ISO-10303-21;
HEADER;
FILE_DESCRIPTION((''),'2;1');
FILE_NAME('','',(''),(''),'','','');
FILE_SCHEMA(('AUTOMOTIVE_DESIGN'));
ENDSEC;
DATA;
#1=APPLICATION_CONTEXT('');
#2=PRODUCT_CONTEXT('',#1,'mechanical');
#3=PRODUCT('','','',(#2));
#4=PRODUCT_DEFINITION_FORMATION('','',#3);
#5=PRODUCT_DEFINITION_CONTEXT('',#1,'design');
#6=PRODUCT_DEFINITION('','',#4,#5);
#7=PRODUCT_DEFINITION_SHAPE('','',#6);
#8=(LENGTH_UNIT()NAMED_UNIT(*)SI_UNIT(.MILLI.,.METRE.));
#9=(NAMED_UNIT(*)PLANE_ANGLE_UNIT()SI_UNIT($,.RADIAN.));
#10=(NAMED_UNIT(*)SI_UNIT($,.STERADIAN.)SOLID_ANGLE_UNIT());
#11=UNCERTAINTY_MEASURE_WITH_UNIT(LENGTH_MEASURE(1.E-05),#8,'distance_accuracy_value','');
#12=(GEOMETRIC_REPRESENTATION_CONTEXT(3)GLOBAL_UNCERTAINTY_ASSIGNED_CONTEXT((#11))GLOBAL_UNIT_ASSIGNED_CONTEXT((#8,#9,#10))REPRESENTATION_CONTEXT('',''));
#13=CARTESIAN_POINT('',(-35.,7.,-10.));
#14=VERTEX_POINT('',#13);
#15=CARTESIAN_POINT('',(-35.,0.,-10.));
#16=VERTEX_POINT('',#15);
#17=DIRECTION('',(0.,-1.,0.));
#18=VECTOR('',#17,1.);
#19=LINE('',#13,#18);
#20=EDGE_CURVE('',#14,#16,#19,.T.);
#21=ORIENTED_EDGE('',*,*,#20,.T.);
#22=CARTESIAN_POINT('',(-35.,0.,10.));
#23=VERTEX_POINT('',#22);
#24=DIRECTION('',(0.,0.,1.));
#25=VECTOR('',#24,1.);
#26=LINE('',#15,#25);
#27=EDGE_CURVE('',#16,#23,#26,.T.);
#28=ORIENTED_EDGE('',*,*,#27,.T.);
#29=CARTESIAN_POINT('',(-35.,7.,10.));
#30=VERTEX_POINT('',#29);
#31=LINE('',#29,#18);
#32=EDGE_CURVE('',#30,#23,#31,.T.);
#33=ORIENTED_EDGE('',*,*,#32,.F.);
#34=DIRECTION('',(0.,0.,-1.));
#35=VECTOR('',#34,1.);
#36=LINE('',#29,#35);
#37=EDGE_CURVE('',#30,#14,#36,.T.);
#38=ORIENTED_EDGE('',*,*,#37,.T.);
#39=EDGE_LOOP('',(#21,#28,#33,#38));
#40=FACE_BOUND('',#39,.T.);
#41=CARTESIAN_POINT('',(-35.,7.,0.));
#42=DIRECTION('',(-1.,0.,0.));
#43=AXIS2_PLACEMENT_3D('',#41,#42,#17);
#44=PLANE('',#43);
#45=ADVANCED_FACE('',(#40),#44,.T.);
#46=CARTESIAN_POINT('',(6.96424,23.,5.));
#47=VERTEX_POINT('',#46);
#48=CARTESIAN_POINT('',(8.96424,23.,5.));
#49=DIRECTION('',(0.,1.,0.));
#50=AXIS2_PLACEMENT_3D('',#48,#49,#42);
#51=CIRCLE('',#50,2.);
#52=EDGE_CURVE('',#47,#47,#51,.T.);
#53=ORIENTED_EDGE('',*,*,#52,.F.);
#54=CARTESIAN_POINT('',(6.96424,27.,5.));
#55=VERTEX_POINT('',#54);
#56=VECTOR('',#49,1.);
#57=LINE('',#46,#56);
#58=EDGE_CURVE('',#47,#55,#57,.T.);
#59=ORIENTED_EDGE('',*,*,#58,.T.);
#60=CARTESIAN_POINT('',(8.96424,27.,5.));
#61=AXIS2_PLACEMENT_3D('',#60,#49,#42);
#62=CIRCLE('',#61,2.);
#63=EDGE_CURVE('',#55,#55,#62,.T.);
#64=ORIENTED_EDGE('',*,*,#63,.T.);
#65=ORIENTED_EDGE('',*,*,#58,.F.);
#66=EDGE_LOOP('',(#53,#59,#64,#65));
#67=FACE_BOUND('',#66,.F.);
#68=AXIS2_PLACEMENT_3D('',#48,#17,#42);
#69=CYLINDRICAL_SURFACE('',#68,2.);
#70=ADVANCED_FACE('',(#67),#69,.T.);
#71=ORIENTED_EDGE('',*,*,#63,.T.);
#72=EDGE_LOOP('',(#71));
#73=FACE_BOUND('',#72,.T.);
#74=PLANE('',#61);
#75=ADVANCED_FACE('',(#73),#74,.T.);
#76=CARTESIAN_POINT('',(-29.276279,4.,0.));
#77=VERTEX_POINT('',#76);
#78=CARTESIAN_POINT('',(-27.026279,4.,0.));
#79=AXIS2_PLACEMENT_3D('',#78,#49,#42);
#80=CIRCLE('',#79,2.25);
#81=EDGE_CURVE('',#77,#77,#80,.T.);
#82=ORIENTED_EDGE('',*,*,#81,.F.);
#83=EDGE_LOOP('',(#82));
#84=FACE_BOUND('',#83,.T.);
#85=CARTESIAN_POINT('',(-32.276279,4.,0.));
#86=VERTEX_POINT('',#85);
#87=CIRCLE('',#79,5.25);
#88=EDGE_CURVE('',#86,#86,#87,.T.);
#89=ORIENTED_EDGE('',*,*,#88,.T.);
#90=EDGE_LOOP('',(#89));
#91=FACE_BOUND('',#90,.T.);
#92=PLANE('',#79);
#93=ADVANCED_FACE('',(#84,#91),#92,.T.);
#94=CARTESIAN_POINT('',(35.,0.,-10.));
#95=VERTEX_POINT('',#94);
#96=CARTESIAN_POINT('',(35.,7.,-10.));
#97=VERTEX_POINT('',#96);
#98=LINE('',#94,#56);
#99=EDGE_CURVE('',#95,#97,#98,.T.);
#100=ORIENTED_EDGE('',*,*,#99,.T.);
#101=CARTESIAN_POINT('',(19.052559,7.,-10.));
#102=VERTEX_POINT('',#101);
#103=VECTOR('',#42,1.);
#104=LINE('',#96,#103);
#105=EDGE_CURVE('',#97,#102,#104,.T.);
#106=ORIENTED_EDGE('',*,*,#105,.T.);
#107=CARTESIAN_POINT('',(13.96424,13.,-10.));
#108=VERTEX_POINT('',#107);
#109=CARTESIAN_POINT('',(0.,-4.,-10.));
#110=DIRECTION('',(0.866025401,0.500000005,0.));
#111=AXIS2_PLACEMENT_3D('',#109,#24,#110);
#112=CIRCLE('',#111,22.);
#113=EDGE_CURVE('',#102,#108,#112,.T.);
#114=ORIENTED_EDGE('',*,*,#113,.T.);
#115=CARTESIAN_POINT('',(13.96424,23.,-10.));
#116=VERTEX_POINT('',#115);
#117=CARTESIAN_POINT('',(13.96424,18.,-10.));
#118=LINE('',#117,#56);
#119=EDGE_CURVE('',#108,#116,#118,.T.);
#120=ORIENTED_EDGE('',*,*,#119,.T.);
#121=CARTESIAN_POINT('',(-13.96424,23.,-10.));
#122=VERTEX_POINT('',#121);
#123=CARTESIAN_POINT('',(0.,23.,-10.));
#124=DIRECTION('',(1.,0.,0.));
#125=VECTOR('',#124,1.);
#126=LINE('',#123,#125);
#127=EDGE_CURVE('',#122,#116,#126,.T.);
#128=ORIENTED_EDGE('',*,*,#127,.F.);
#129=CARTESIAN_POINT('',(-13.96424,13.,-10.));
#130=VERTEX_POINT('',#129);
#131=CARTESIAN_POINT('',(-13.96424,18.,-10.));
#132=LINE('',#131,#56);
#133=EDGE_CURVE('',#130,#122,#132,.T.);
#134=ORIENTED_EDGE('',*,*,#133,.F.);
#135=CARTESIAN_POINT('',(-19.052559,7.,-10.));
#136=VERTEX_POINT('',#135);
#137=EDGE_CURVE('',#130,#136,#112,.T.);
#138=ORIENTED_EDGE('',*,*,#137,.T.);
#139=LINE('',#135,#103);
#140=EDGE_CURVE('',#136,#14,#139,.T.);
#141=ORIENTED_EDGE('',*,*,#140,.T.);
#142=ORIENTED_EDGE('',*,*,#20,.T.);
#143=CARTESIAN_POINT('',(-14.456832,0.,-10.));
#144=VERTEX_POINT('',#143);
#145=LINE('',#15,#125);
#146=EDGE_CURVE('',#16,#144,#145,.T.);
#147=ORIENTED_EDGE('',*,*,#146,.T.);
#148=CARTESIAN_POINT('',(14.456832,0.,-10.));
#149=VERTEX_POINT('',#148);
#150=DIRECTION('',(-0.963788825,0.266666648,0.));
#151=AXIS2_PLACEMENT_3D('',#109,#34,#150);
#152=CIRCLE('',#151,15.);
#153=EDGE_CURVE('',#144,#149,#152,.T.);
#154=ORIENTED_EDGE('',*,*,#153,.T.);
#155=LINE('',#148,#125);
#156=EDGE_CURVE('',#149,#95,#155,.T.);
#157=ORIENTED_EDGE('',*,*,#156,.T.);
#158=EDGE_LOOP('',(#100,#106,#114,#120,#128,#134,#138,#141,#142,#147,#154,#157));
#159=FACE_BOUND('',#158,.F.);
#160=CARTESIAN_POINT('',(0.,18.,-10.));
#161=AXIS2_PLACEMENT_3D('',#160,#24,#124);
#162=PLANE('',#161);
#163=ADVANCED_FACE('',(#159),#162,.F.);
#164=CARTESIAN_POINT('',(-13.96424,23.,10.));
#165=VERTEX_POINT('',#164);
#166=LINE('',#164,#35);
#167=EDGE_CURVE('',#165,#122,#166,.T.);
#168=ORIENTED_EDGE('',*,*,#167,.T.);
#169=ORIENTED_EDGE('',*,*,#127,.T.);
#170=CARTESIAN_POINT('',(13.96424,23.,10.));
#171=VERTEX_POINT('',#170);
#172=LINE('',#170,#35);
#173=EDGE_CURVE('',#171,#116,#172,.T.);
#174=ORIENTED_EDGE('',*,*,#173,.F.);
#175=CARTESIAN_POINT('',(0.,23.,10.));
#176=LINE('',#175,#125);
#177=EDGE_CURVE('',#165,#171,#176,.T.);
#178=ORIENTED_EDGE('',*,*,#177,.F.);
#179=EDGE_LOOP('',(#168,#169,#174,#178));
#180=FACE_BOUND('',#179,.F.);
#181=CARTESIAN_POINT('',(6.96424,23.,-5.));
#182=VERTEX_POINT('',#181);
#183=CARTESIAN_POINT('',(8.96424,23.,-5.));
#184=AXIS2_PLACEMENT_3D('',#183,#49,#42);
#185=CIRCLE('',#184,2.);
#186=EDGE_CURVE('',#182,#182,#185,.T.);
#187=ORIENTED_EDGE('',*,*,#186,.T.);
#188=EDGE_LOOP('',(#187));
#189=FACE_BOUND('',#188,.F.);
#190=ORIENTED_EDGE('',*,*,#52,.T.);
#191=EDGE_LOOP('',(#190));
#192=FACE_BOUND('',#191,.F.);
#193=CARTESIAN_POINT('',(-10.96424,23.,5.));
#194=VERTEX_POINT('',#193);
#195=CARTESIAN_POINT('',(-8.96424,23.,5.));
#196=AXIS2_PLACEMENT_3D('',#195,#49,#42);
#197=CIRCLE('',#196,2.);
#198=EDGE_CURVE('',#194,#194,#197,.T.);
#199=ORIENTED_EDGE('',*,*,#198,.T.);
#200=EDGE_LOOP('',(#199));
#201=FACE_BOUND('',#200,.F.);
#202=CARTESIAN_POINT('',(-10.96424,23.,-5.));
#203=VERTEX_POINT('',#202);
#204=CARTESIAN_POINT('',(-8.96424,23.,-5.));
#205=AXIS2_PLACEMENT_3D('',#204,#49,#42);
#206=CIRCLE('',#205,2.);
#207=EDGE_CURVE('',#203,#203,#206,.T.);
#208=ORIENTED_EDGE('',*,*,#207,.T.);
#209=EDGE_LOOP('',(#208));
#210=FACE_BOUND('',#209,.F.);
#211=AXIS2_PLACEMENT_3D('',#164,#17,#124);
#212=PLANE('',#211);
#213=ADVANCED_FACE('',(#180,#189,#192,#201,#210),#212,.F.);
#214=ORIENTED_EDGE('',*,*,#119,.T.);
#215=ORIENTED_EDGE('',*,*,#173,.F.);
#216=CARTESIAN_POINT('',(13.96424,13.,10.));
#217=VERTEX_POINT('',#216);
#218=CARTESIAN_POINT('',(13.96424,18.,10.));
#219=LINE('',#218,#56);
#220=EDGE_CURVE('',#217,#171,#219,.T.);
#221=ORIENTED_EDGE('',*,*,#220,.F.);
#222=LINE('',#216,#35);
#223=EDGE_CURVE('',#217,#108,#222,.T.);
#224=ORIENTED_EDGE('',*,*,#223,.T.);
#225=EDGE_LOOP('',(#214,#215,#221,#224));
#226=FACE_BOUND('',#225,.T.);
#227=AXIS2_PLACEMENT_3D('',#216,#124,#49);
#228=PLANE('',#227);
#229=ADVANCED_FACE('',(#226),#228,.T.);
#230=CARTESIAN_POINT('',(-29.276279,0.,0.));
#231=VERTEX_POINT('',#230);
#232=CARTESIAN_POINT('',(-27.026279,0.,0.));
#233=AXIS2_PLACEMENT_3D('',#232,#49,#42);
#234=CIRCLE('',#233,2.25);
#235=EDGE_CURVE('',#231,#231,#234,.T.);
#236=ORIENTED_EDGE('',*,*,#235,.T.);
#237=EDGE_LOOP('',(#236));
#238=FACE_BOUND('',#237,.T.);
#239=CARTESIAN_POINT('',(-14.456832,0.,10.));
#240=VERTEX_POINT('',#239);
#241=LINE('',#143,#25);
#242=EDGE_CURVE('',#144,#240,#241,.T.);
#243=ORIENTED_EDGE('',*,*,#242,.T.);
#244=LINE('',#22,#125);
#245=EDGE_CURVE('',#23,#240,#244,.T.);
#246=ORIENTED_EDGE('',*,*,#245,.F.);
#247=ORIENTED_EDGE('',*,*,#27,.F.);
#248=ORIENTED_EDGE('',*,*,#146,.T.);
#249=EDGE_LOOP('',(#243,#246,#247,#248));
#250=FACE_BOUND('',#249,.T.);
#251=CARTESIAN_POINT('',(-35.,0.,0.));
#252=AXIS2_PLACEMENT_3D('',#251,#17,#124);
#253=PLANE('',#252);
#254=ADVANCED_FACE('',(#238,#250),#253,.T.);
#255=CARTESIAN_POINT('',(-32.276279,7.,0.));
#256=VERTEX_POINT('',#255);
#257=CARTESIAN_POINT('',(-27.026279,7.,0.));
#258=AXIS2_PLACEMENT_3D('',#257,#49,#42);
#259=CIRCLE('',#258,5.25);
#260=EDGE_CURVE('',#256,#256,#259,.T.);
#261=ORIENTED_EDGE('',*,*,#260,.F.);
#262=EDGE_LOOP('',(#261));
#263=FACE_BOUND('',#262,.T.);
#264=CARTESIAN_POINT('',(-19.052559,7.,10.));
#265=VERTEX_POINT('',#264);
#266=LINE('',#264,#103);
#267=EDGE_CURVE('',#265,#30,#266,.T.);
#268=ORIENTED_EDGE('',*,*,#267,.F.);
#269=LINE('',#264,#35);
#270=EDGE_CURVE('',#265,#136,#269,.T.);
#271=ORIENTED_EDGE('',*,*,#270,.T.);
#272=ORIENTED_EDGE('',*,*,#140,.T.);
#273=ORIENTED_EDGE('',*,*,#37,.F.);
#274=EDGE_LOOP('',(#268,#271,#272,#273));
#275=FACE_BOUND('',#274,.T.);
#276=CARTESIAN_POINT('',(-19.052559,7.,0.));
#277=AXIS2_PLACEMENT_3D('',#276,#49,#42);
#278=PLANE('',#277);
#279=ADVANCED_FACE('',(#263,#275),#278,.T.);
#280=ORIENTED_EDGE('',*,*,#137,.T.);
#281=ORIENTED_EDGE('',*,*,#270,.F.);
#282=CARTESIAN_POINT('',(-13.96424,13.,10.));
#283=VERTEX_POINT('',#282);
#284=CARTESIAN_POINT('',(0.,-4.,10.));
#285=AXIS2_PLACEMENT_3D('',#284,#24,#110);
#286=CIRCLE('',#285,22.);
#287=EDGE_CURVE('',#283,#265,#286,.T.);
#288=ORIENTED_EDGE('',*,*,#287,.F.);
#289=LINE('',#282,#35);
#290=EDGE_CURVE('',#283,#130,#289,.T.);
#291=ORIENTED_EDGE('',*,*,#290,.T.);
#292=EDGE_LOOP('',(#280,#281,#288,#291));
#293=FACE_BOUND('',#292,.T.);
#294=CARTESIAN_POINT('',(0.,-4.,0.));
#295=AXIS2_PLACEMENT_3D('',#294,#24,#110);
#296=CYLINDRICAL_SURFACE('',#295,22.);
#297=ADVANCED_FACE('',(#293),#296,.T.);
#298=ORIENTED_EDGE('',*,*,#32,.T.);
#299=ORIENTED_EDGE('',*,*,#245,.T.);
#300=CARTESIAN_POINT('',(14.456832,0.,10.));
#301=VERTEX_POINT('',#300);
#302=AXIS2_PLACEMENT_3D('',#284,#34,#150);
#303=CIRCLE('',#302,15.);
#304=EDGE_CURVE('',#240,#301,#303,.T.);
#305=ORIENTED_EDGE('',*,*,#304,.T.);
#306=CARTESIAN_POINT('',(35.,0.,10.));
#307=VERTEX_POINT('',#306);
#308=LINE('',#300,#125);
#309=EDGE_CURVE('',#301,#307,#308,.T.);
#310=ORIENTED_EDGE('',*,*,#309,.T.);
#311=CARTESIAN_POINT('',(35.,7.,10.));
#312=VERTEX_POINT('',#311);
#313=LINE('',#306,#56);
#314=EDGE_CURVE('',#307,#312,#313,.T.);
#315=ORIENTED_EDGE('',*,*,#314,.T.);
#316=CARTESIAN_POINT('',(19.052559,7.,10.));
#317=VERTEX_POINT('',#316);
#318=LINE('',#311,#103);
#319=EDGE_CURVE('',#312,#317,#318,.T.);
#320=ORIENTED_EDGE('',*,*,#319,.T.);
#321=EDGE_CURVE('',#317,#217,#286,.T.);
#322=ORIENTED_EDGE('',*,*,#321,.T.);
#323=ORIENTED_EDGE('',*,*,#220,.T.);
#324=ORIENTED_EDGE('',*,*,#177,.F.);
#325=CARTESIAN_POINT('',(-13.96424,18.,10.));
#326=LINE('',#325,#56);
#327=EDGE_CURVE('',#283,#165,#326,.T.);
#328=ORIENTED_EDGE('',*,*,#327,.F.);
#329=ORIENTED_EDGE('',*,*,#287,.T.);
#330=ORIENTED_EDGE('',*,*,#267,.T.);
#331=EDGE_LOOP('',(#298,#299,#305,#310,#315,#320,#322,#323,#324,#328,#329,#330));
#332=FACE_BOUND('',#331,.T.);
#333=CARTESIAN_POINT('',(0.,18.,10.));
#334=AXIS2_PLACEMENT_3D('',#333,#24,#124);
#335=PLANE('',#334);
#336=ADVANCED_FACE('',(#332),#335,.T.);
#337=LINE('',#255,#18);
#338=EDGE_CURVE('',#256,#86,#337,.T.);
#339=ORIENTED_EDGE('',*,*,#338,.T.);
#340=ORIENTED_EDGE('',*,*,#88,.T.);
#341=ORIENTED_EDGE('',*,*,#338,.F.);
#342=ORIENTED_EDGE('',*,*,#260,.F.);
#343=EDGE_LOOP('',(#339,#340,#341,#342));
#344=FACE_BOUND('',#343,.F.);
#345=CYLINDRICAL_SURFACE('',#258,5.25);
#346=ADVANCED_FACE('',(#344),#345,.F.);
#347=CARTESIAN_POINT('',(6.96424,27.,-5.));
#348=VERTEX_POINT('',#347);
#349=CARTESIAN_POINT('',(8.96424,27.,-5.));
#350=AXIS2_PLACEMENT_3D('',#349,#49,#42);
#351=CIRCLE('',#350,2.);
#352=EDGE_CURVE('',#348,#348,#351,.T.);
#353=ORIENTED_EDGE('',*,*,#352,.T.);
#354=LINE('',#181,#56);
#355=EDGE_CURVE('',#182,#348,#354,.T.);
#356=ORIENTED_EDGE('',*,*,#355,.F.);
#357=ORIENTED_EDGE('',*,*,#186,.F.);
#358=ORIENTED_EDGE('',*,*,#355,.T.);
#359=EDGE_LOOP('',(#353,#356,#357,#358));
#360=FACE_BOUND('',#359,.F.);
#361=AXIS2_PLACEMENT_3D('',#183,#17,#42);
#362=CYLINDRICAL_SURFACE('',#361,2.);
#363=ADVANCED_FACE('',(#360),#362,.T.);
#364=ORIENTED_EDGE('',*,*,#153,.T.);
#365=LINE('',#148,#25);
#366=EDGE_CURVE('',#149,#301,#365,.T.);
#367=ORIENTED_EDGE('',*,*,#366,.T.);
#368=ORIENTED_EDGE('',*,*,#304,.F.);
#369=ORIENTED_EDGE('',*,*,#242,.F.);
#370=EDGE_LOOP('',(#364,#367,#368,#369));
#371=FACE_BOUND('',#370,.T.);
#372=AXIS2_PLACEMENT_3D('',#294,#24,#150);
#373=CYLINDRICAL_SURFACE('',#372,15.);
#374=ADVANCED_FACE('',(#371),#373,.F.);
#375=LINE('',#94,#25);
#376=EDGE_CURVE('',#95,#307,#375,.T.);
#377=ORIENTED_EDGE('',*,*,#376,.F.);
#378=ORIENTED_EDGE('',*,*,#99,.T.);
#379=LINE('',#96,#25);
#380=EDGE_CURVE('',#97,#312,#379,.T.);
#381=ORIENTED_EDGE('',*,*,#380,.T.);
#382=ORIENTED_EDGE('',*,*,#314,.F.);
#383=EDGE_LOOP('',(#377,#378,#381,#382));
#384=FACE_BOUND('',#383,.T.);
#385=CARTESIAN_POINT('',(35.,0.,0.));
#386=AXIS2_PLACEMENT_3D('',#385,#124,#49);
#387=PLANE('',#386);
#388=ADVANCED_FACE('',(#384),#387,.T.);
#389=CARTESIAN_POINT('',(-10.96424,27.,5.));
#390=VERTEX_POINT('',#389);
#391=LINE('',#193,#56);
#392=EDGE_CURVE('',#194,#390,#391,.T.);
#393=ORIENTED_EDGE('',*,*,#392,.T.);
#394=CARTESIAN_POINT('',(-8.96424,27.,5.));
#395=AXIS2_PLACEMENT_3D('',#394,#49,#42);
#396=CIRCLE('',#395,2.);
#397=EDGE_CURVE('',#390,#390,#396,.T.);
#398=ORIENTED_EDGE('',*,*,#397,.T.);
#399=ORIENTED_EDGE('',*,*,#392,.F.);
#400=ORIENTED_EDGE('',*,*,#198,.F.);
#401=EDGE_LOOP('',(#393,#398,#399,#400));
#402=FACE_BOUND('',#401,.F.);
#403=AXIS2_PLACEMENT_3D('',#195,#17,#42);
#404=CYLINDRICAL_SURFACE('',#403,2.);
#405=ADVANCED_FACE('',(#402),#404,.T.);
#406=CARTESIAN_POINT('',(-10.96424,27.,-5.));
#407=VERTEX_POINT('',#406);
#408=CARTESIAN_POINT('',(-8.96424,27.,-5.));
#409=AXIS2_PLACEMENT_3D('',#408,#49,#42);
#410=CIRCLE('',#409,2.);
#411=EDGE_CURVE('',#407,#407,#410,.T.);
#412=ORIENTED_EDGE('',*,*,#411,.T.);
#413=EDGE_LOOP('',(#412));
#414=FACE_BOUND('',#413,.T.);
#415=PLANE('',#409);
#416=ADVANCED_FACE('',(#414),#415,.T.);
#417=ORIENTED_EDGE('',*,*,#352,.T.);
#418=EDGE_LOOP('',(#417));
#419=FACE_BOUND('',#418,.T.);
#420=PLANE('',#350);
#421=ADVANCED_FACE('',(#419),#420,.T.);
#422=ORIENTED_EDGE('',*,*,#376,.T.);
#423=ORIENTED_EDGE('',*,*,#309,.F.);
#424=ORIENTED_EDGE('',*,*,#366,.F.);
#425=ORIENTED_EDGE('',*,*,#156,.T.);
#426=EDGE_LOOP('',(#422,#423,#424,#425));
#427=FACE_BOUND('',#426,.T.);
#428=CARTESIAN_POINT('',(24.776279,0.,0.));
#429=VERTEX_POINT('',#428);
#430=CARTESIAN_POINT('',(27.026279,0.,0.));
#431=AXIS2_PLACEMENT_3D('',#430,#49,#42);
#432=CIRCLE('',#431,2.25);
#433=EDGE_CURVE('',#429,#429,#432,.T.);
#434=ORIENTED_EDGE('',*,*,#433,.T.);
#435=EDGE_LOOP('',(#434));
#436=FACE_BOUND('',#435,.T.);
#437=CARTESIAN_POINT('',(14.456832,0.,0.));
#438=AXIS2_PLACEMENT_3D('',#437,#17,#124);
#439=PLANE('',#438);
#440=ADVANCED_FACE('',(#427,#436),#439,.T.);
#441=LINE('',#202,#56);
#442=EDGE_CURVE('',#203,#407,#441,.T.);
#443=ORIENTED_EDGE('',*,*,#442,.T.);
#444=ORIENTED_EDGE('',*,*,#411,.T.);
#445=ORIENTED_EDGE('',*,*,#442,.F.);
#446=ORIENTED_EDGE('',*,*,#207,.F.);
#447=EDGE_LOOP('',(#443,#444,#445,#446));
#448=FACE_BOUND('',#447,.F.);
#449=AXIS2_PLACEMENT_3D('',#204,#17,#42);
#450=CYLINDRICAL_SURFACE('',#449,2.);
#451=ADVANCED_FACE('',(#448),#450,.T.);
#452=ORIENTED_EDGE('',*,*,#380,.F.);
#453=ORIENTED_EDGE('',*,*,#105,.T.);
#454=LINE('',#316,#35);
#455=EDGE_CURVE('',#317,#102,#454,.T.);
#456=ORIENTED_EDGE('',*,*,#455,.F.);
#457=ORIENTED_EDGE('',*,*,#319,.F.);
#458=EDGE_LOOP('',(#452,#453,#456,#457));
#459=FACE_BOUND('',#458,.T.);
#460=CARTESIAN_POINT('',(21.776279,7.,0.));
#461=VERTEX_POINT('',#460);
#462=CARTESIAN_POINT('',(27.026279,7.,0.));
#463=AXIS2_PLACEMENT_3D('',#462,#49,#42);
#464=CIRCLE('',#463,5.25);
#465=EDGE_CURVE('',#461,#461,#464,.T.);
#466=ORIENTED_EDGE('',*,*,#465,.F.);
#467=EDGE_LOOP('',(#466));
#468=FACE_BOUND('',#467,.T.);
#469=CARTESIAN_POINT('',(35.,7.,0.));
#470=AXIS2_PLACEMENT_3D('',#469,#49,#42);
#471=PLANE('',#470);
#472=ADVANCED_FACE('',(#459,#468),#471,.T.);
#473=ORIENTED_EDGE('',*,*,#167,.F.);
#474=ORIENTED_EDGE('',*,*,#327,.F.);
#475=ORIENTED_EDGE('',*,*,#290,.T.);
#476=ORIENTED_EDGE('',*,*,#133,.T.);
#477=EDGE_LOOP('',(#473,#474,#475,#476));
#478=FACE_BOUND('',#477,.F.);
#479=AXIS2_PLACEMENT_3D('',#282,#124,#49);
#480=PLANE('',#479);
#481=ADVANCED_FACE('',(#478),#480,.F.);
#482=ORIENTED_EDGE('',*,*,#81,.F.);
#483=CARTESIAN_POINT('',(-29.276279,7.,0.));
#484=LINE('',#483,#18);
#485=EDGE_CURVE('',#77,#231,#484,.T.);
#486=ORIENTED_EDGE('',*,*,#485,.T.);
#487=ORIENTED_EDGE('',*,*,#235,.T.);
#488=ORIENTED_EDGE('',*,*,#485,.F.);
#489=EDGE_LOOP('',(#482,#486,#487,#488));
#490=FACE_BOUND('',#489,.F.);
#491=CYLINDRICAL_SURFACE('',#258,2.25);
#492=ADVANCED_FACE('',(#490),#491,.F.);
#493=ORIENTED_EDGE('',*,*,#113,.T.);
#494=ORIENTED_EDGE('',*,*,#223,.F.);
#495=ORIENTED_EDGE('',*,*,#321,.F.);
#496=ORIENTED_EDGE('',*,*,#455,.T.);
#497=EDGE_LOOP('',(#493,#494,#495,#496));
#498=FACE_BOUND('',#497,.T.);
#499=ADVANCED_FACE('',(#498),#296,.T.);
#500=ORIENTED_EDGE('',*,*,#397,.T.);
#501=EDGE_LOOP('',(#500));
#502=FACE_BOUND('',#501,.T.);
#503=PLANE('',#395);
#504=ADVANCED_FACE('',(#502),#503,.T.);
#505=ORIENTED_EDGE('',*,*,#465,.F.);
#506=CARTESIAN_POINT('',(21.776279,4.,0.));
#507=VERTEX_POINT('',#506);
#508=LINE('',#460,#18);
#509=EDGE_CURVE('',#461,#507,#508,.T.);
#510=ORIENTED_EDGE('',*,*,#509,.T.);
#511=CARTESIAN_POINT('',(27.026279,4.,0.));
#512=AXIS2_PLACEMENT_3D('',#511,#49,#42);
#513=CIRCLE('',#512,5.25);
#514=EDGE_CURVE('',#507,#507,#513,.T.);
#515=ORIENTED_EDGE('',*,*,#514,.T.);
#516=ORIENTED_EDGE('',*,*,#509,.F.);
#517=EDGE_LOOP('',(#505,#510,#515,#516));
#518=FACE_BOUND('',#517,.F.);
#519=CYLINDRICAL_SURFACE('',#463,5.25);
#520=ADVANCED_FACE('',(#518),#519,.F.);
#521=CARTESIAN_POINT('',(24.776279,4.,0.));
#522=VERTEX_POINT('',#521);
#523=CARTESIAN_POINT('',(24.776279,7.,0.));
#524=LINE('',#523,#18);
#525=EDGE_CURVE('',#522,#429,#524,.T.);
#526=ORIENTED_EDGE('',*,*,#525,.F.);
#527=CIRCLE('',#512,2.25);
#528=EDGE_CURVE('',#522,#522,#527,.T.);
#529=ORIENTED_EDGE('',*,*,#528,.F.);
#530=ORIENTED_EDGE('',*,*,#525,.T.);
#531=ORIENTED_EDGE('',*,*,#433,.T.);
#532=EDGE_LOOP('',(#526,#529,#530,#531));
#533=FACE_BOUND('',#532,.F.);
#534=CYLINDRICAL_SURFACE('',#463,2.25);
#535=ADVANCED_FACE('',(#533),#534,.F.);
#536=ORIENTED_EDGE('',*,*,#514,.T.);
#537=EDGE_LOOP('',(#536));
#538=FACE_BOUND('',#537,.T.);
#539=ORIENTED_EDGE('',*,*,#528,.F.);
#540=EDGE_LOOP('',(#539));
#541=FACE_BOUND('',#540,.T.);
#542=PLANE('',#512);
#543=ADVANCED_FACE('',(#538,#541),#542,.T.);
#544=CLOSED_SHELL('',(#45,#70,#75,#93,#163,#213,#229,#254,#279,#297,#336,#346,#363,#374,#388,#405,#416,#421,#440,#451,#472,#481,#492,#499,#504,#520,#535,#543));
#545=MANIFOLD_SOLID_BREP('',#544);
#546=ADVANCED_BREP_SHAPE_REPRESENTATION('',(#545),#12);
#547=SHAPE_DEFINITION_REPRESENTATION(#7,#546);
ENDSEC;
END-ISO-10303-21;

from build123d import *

# Parameters (mm, degrees)
F1_DEPTH = 10
F2_R     = 2.25
F3_DEPTH = 25
F4_R     = 5.25
F4_R_2   = 2.25
F5_DEPTH = 3
F6_W     = 27.92848
F6_H     = 10
F7_DEPTH = 20
F8_R     = 2
F9_DEPTH = 4


with BuildPart() as f1:
    # F0 (on Top) → F1 (new body, symmetric)
    with BuildSketch(Plane.XY):
        with BuildLine():
            Line((-35, 7), (-35, 0))
            Line((-35, 0), (-14.456832, 0))
            ThreePointArc((-14.456832, 0), (0, 11), (14.456832, 0))
            Line((14.456832, 0), (35, 0))
            Line((35, 0), (35, 7))
            Line((35, 7), (19.052559, 7))
            ThreePointArc((19.052559, 7), (0, 18), (-19.052559, 7))
            Line((-19.052559, 7), (-35, 7))
        make_face()
    extrude(amount=F1_DEPTH, both=True)

    # F2 (on face) → F3 (cut)
    with BuildSketch(Plane(origin=(0, 7, 0), x_dir=(-1, 0, 0), z_dir=(0, 1, 0))):
        with Locations((-27.026279, 0)):
            Circle(F2_R)
        with Locations((27.026279, 0)):
            Circle(F2_R)
    extrude(amount=-F3_DEPTH, mode=Mode.SUBTRACT)

    # F4 (on face) → F5 (cut)
    with BuildSketch(Plane(origin=(0, 7, 0), x_dir=(-1, 0, 0), z_dir=(0, 1, 0))):
        with Locations((27.026279, 0)):
            Circle(F4_R)
        with Locations((27.026279, 0)):
            Circle(F4_R_2, mode=Mode.SUBTRACT)
        with Locations((-27.026279, 0)):
            Circle(F4_R)
    extrude(amount=-F5_DEPTH, mode=Mode.SUBTRACT)

    # F6 (on face) → F7 (join)
    with BuildSketch(Plane.XY.offset(10)):
        with Locations((0, 18)):
            Rectangle(F6_W, F6_H)
    extrude(amount=-F7_DEPTH)

    # F8 (on face) → F9 (join)
    with BuildSketch(Plane(origin=(0, 23, 0), x_dir=(-1, 0, 0), z_dir=(0, 1, 0))):
        with Locations((8.96424, -5)):
            Circle(F8_R)
        with Locations((-8.96424, -5)):
            Circle(F8_R)
        with Locations((8.96424, 5)):
            Circle(F8_R)
        with Locations((-8.96424, 5)):
            Circle(F8_R)
    extrude(amount=F9_DEPTH)


solid = f1.part
